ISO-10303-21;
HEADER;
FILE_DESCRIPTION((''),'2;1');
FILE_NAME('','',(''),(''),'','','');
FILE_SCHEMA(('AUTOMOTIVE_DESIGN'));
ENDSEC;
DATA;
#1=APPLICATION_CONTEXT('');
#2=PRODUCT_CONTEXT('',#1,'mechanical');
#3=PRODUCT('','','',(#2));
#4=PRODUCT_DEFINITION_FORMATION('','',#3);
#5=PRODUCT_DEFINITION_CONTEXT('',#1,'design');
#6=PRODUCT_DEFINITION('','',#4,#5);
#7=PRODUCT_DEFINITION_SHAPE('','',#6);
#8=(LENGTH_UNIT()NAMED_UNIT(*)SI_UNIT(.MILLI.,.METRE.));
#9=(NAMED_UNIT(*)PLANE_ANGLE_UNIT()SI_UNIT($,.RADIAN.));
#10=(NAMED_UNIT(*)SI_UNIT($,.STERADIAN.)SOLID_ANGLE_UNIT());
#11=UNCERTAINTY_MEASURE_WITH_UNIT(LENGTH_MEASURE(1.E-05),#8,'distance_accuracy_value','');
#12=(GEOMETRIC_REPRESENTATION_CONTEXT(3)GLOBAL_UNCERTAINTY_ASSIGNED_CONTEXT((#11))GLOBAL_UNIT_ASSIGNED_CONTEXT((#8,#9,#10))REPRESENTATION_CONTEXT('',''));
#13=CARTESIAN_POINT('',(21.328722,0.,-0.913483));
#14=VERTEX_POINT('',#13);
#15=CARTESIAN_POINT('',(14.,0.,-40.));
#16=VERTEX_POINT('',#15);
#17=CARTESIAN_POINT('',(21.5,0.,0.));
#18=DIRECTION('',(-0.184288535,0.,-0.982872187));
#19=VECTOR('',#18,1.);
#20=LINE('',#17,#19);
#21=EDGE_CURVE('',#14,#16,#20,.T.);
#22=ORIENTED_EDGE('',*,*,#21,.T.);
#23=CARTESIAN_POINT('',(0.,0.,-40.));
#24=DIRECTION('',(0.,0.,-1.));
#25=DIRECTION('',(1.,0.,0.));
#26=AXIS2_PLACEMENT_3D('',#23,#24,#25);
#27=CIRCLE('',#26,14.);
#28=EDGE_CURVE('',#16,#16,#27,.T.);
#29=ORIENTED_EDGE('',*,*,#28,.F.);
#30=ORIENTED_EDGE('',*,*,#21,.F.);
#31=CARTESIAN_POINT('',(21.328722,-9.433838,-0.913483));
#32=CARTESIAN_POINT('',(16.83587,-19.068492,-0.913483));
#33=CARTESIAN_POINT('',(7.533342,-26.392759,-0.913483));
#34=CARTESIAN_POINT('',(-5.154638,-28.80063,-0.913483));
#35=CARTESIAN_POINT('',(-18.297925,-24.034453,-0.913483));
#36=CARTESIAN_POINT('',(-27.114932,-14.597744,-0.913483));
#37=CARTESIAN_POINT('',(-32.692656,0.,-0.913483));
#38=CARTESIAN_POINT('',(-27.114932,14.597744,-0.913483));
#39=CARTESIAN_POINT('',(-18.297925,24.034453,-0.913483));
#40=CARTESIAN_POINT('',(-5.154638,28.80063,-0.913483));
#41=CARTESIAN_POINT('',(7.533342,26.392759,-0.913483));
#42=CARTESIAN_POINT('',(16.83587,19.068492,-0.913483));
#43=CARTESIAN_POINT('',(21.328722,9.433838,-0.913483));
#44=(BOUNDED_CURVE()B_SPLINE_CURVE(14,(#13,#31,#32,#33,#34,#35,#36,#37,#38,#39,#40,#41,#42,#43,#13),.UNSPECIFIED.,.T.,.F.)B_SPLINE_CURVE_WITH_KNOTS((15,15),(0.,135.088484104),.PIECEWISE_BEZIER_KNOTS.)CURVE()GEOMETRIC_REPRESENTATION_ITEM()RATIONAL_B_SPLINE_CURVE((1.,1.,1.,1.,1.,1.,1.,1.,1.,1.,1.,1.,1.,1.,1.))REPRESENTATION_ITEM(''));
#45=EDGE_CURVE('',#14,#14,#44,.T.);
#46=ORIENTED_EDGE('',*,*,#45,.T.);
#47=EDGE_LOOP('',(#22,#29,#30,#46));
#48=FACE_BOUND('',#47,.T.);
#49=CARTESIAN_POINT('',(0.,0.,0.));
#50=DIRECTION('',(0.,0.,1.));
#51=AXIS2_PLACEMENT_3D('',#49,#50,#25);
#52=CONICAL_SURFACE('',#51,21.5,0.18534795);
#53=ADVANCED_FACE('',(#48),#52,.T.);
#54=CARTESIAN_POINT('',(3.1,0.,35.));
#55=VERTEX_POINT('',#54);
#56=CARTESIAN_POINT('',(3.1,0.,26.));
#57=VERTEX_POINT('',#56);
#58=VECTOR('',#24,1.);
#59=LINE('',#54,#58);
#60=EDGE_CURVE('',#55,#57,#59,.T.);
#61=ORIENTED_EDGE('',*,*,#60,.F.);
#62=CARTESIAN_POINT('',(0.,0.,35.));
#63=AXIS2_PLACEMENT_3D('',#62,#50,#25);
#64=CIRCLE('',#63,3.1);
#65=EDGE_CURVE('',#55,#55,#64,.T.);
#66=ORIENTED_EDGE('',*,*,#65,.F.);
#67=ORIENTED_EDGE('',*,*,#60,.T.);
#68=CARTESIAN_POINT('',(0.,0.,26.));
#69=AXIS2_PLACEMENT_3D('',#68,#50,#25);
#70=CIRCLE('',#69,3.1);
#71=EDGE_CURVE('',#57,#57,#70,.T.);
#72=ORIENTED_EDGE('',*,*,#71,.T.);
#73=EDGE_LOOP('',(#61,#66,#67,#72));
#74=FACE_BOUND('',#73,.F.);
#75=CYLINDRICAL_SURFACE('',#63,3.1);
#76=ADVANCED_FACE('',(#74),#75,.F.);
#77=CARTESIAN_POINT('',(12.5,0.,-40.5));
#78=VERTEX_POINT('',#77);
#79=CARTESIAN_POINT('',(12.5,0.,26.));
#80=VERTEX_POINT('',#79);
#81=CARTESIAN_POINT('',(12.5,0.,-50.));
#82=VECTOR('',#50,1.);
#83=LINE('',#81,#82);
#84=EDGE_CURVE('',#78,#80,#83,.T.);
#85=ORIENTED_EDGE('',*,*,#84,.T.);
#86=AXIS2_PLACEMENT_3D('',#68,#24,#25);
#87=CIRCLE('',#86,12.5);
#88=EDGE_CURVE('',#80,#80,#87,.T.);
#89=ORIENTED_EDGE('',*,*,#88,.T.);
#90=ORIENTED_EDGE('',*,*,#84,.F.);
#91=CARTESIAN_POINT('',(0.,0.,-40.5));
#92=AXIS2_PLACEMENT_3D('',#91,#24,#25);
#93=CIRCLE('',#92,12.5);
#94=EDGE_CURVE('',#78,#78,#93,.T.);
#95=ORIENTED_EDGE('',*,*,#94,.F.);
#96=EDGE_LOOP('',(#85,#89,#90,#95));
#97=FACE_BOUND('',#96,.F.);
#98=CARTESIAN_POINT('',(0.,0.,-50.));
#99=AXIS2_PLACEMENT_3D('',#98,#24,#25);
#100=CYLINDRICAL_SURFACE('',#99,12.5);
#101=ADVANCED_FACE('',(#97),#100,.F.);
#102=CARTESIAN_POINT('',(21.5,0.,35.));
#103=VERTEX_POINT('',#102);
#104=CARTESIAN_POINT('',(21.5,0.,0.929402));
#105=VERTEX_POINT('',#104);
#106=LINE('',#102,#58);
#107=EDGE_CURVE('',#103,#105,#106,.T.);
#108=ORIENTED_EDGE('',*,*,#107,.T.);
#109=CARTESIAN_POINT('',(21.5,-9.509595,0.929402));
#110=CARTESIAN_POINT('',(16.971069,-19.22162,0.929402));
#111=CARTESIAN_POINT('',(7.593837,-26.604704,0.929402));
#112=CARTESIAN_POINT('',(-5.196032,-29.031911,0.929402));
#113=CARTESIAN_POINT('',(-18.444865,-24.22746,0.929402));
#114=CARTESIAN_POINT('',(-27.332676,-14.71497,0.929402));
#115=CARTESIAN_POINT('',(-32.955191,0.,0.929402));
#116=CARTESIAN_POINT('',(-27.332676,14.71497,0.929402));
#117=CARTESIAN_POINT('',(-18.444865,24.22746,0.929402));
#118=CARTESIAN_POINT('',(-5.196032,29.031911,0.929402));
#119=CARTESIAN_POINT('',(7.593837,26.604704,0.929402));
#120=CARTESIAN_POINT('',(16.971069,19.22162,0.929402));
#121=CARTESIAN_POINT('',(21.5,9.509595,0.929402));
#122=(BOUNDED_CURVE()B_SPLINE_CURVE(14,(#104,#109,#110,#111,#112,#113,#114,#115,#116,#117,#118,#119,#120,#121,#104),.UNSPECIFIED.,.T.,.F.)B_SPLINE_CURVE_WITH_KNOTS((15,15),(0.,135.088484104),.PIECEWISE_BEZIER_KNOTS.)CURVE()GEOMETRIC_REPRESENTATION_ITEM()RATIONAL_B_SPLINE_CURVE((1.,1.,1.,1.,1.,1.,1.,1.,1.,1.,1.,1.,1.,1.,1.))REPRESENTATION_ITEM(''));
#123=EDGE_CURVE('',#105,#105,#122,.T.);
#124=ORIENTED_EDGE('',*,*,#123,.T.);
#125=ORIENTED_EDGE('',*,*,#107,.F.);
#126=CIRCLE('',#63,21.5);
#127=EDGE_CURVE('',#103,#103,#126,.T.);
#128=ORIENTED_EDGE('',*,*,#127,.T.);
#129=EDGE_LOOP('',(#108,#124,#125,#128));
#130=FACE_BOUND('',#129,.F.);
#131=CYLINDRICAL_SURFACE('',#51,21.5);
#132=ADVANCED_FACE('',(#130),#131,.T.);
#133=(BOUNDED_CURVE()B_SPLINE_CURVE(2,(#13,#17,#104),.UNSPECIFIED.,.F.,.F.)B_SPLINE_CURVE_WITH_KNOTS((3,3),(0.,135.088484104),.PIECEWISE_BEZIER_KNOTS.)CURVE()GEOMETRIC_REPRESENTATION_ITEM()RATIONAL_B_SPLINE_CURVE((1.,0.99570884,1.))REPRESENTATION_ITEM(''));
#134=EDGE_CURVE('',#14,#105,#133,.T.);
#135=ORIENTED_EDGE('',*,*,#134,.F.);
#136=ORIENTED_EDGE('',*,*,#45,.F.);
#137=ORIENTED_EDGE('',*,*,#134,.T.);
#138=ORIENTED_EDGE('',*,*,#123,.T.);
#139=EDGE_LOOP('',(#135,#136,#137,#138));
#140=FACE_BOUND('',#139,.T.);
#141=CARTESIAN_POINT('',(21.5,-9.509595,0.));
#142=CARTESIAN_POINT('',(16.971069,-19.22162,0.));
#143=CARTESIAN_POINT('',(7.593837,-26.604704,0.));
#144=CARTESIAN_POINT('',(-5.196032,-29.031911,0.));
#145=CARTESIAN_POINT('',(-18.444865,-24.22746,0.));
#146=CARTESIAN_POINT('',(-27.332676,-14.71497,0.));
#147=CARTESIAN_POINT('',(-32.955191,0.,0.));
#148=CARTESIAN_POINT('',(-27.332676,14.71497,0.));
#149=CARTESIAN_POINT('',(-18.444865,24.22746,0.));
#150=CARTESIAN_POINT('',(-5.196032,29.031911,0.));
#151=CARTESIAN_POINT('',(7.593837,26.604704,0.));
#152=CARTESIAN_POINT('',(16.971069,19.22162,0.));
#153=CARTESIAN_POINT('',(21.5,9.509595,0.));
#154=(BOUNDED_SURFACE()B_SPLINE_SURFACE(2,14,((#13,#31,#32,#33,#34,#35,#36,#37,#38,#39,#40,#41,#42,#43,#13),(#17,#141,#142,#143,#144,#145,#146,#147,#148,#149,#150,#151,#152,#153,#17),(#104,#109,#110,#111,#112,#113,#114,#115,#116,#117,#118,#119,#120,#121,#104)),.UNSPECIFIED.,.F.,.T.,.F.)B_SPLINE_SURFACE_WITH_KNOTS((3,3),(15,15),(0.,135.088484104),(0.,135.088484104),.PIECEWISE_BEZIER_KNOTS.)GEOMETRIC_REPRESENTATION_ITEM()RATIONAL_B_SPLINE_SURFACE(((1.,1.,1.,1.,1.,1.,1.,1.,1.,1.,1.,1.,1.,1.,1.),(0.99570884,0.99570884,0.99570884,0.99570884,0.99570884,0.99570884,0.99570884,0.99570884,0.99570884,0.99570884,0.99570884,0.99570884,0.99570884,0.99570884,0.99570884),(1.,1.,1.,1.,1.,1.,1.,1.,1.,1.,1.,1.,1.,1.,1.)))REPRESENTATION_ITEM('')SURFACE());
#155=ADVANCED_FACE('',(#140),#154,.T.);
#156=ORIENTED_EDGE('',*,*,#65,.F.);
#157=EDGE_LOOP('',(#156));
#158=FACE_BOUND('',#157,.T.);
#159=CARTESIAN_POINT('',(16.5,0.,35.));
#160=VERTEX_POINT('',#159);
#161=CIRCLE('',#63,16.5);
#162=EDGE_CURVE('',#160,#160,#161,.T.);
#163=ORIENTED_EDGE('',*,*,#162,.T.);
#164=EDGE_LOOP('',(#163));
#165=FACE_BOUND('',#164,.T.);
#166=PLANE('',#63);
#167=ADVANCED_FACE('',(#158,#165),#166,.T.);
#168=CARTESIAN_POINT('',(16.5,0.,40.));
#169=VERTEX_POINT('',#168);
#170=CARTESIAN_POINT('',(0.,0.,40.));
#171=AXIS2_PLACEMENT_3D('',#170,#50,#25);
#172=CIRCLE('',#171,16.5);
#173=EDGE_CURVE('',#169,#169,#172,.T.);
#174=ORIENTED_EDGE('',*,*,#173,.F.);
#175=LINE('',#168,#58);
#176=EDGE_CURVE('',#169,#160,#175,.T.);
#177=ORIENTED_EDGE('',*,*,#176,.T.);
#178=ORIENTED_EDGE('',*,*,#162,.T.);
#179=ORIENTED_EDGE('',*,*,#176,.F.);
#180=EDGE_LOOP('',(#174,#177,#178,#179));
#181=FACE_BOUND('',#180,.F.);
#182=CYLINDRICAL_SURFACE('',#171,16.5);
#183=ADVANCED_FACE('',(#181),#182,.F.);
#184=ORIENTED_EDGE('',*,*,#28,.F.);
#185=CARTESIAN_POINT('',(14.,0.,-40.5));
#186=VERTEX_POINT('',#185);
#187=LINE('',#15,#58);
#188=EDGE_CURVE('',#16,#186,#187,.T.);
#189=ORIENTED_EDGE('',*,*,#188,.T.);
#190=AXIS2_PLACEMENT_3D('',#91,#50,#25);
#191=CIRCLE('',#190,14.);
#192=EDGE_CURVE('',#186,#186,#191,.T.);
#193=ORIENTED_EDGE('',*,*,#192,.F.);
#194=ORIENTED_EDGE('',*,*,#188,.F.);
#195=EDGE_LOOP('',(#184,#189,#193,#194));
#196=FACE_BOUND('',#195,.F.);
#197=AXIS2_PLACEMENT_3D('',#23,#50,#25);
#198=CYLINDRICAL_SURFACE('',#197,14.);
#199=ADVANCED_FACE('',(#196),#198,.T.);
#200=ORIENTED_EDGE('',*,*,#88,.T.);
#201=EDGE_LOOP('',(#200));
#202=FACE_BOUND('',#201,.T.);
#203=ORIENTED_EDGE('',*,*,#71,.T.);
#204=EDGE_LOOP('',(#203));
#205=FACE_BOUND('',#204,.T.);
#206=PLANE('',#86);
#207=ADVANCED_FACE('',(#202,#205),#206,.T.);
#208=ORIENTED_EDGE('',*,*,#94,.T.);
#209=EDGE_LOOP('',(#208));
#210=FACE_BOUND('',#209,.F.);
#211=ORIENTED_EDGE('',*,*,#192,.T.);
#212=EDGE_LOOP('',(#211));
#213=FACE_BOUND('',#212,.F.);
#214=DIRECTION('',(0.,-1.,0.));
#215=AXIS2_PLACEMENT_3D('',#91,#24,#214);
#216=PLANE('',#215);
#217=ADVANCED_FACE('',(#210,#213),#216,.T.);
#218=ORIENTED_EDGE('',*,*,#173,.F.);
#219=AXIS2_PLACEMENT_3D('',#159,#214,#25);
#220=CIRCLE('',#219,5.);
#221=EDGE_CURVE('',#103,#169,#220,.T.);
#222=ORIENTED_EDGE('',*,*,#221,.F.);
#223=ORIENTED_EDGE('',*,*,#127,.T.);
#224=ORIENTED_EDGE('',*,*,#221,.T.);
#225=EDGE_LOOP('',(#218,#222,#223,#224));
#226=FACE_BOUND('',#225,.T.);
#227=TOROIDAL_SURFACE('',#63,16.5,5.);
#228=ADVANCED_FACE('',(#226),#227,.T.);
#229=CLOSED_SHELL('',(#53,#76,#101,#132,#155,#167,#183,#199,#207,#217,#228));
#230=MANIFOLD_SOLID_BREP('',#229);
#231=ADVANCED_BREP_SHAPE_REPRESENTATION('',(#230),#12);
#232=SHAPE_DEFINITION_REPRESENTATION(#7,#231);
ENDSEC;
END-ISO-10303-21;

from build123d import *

# Parameters (mm, degrees)
F0_R      = 21.5
F1_DEPTH  = 40
F2_R      = 5
F3_R      = 21.5
F4_DEPTH  = 40
F5_SIZE2  = 7.5
F5_SIZE   = 40
F6_DEPTH  = 10
F7_R      = 10
F10_R     = 4.9
F11_DEPTH = 75
F12_R     = 16.5
F13_DEPTH = 5
F14_R     = 3.1
F15_DEPTH = 85.001
F16_R     = 12.5
F17_DEPTH = 76


with BuildPart() as f1:
    # F0 (on Top) → F1 (new body)
    with BuildSketch(Plane.XY):
        Circle(F0_R)
    extrude(amount=F1_DEPTH)

    # F2
    f2_edges = [f1.edges().sort_by_distance(p)[0] for p in [
        (-21.5, 0, 40),
    ]]
    fillet(f2_edges, radius=F2_R)

    # F3 (on face) → F4 (join)
    with BuildSketch(Plane(origin=(0, 0, 0), x_dir=(1, 0, 0), z_dir=(0, 0, -1))):
        Circle(F3_R)
    extrude(amount=F4_DEPTH)

    # F5
    f5_edges = [f1.edges().sort_by_distance(p)[0] for p in [
        (-21.5, 0, -40),
    ]]
    chamfer(f5_edges, length=F5_SIZE, length2=F5_SIZE2)

    # F6 (add): a face of the model
    f6_faces = [f1.faces().sort_by_distance(p)[0] for p in [
        (0, 0, -40),
    ]]
    extrude(f6_faces, amount=F6_DEPTH)

    # F7
    f7_edges = [f1.edges().sort_by_distance(p)[0] for p in [
        (-21.5, 0, 0),
    ]]
    fillet(f7_edges, radius=F7_R)

    # F8 (on Right) → F9 (revolve, cut)
    with BuildSketch(Plane.YZ):
        Polygon((-7.5, -40.5), (-17.4298945979, -40.5), (-17.4298945979, -47.5), (-17.4298945979, -53.659953177), (-10, -53.659953177), (-10, -47.5), (-7.5, -47.5), align=None)
    revolve(axis=Axis((0, 0, -53.4000843763), (0, 0, -1)), mode=Mode.SUBTRACT)

    # F10 (on face) → F11 (cut)
    with BuildSketch(Plane(origin=(0, 0, -50), x_dir=(1, 0, 0), z_dir=(0, 0, -1))):
        Circle(F10_R)
    extrude(amount=-F11_DEPTH, mode=Mode.SUBTRACT)

    # F12 (on face) → F13 (cut)
    with BuildSketch(Plane.XY.offset(40)):
        Circle(F12_R)
    extrude(amount=-F13_DEPTH, mode=Mode.SUBTRACT)

    # F14 (on face) → F15 (cut, through all)
    with BuildSketch(Plane.XY.offset(35)):
        Circle(F14_R)
    extrude(amount=-F15_DEPTH, mode=Mode.SUBTRACT)

    # F16 (on face) → F17 (cut)
    with BuildSketch(Plane(origin=(0, 0, -50), x_dir=(1, 0, 0), z_dir=(0, 0, -1))):
        Circle(F16_R)
    extrude(amount=-F17_DEPTH, mode=Mode.SUBTRACT)


solid = f1.part
